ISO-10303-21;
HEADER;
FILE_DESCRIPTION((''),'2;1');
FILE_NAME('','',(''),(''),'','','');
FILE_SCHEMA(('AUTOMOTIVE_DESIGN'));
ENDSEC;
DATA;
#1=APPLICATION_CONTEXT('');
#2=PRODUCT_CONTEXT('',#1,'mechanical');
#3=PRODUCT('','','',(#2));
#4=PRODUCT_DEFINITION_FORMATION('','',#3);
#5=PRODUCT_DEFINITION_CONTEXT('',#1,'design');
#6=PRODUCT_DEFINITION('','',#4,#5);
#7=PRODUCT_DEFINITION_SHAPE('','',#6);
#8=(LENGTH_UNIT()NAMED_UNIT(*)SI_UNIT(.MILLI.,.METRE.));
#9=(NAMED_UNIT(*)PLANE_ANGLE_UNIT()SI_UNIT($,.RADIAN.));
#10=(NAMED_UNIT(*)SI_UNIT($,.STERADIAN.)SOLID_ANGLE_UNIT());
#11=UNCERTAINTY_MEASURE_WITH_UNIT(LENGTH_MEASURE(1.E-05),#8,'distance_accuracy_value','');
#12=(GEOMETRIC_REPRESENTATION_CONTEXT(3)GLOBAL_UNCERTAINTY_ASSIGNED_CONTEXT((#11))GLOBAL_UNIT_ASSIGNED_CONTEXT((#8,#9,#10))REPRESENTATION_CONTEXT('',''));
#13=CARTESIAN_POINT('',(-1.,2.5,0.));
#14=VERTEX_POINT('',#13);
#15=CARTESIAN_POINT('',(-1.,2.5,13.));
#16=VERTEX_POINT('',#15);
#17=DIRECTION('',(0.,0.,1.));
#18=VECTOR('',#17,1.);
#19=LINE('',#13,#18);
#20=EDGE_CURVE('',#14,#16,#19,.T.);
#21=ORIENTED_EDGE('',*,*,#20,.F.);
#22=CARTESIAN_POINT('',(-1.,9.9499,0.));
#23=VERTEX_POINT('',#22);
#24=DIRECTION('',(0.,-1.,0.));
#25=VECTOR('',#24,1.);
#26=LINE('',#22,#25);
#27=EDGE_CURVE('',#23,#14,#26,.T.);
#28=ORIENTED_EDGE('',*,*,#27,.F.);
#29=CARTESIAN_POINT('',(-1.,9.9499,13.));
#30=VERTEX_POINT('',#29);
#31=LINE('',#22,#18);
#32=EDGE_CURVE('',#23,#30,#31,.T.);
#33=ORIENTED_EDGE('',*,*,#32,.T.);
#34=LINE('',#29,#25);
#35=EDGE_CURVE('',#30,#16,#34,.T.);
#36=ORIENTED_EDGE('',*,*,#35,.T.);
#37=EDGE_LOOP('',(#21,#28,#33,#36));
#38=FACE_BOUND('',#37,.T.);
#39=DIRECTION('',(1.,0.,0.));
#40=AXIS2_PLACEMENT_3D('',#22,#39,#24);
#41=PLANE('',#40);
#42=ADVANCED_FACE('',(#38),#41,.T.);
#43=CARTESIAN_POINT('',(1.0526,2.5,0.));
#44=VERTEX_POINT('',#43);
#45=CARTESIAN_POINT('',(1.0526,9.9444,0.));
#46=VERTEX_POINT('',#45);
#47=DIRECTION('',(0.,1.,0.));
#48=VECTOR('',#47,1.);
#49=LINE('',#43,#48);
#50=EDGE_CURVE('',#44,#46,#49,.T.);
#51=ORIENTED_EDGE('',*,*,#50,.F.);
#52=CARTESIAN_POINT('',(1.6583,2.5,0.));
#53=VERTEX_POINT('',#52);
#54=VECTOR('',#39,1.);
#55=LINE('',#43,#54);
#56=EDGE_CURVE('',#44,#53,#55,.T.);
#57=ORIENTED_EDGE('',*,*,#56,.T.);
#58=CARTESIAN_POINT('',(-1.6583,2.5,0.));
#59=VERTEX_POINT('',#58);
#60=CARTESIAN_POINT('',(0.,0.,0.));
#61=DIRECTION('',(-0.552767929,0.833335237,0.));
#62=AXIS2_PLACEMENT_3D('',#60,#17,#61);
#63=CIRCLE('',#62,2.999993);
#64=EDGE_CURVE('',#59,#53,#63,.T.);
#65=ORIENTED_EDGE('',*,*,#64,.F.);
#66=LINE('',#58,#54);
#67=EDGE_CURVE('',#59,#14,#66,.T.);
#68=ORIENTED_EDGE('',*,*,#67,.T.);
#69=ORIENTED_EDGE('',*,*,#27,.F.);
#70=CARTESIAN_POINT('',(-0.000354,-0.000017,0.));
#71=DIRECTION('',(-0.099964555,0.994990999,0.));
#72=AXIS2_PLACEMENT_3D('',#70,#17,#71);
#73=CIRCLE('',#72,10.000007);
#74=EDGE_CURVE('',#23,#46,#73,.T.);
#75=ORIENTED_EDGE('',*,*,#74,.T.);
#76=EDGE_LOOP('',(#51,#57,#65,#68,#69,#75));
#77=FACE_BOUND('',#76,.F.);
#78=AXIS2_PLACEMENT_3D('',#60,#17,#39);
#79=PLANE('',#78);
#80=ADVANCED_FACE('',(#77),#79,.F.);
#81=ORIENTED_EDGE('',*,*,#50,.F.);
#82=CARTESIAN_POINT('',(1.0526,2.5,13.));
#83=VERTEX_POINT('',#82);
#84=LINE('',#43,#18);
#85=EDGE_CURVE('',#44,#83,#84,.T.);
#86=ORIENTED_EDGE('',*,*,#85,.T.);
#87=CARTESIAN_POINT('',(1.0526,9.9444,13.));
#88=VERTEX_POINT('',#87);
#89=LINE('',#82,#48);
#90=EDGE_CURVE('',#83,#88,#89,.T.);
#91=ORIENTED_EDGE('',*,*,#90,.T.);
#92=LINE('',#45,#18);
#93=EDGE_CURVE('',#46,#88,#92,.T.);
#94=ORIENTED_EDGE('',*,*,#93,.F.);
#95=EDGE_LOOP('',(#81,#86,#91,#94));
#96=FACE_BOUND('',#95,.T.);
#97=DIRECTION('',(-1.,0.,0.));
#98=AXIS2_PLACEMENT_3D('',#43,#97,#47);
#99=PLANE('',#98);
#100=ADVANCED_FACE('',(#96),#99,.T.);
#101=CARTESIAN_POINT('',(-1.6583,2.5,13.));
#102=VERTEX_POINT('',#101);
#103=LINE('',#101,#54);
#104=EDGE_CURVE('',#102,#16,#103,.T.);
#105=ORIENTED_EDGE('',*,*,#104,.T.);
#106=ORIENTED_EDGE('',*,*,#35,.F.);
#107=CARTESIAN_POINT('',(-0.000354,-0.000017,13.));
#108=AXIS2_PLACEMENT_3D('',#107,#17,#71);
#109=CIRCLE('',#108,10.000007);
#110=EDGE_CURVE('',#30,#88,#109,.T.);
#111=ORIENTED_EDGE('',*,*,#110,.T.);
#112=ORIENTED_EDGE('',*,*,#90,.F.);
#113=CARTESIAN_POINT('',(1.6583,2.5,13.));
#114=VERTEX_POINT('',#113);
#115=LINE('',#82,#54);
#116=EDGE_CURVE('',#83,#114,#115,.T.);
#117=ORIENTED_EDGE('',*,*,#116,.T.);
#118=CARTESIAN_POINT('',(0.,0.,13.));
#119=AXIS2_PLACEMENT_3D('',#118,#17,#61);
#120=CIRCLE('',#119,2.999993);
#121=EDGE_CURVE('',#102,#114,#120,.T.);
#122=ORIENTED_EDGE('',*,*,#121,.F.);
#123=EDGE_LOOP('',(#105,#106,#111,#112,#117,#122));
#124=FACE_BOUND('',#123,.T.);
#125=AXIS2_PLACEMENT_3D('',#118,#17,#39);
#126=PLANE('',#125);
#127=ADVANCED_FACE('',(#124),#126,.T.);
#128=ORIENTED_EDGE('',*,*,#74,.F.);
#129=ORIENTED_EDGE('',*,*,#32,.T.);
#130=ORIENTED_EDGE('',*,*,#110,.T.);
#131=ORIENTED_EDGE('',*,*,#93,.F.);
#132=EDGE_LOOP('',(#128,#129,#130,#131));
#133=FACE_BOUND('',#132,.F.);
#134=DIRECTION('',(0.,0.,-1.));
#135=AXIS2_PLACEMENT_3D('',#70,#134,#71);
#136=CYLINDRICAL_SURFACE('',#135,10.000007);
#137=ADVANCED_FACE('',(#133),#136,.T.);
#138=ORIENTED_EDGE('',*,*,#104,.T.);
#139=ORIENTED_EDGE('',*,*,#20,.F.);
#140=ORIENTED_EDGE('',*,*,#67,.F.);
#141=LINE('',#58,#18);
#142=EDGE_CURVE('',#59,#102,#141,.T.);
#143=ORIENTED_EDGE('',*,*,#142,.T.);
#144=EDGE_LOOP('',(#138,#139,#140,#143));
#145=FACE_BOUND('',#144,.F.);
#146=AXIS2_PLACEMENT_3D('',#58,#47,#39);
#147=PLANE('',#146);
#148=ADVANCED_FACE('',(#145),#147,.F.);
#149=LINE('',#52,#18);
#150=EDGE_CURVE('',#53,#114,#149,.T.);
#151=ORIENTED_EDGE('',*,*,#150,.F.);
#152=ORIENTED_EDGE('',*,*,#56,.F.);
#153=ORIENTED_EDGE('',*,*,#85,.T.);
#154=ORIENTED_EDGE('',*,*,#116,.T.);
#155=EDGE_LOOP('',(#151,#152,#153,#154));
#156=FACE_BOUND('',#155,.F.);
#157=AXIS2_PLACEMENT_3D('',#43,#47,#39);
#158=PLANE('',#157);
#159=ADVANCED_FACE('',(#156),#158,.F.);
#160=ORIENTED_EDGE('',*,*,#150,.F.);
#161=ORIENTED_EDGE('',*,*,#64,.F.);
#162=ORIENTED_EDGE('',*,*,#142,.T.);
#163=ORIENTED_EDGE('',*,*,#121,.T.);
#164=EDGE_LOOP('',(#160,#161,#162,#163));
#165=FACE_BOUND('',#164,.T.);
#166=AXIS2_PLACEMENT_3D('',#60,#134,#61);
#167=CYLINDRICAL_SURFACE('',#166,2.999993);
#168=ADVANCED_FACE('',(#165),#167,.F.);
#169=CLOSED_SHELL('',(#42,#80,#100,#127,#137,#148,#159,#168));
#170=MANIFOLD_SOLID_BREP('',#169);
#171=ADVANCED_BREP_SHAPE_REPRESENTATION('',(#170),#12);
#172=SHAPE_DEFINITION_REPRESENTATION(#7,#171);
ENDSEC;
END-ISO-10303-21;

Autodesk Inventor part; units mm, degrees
ref_plane "YZ Plane" through (0, 0, 0) normal (1, 0, 0) x (0, 1, 0)
ref_plane "XZ Plane" through (0, 0, 0) normal (0, 1, 0) x (-1, 0, 0)
ref_plane "XY Plane" through (0, 0, 0) normal (0, 0, 1) x (1, 0, 0)
sketch "Sketch1" plane through (0, 0, 0) normal (0, 0, 1) x (1, 0, 0)
  arc A0 (-1.6583, 2.5) -> (1.6583, 2.5) centre (0, 0) ccw
  arc A1 (-1, 9.9499) -> (1.0526, 9.9444) centre (0, 0) ccw
  line L0 (1.0526, 2.5) -> (1.0526, 9.9444)
  line L1 (-1, 9.9499) -> (-1, 2.5)
  line L2 (-1.6583, 2.5) -> (-1, 2.5)
  line L3 (1.0526, 2.5) -> (1.6583, 2.5)
  dimension "d0" = 6
  dimension "d2" = 20
  dimension "d4" = 1
extrude "Extrusion1" add sketch "Sketch1" along normal blind 13
equation "\"BendRadius\" = Thickness"
equation "\"BendReliefWidth\" = Thickness"
equation "\"BendReliefDepth\" = 0.5 * Thickness"
equation "\"CornerReliefSize\" = 4 * Thickness"
equation "\"MinimumRemnant\" = 2 * Thickness"
equation "\"TransitionRadius\" = BendRadius"
equation "\"JacobiRadiusSize\" = BendRadius"
equation "\"GapSize\" = Thickness"
equation "\"Thickness\" = 0.5"
properties part number "Reducer bushing"
